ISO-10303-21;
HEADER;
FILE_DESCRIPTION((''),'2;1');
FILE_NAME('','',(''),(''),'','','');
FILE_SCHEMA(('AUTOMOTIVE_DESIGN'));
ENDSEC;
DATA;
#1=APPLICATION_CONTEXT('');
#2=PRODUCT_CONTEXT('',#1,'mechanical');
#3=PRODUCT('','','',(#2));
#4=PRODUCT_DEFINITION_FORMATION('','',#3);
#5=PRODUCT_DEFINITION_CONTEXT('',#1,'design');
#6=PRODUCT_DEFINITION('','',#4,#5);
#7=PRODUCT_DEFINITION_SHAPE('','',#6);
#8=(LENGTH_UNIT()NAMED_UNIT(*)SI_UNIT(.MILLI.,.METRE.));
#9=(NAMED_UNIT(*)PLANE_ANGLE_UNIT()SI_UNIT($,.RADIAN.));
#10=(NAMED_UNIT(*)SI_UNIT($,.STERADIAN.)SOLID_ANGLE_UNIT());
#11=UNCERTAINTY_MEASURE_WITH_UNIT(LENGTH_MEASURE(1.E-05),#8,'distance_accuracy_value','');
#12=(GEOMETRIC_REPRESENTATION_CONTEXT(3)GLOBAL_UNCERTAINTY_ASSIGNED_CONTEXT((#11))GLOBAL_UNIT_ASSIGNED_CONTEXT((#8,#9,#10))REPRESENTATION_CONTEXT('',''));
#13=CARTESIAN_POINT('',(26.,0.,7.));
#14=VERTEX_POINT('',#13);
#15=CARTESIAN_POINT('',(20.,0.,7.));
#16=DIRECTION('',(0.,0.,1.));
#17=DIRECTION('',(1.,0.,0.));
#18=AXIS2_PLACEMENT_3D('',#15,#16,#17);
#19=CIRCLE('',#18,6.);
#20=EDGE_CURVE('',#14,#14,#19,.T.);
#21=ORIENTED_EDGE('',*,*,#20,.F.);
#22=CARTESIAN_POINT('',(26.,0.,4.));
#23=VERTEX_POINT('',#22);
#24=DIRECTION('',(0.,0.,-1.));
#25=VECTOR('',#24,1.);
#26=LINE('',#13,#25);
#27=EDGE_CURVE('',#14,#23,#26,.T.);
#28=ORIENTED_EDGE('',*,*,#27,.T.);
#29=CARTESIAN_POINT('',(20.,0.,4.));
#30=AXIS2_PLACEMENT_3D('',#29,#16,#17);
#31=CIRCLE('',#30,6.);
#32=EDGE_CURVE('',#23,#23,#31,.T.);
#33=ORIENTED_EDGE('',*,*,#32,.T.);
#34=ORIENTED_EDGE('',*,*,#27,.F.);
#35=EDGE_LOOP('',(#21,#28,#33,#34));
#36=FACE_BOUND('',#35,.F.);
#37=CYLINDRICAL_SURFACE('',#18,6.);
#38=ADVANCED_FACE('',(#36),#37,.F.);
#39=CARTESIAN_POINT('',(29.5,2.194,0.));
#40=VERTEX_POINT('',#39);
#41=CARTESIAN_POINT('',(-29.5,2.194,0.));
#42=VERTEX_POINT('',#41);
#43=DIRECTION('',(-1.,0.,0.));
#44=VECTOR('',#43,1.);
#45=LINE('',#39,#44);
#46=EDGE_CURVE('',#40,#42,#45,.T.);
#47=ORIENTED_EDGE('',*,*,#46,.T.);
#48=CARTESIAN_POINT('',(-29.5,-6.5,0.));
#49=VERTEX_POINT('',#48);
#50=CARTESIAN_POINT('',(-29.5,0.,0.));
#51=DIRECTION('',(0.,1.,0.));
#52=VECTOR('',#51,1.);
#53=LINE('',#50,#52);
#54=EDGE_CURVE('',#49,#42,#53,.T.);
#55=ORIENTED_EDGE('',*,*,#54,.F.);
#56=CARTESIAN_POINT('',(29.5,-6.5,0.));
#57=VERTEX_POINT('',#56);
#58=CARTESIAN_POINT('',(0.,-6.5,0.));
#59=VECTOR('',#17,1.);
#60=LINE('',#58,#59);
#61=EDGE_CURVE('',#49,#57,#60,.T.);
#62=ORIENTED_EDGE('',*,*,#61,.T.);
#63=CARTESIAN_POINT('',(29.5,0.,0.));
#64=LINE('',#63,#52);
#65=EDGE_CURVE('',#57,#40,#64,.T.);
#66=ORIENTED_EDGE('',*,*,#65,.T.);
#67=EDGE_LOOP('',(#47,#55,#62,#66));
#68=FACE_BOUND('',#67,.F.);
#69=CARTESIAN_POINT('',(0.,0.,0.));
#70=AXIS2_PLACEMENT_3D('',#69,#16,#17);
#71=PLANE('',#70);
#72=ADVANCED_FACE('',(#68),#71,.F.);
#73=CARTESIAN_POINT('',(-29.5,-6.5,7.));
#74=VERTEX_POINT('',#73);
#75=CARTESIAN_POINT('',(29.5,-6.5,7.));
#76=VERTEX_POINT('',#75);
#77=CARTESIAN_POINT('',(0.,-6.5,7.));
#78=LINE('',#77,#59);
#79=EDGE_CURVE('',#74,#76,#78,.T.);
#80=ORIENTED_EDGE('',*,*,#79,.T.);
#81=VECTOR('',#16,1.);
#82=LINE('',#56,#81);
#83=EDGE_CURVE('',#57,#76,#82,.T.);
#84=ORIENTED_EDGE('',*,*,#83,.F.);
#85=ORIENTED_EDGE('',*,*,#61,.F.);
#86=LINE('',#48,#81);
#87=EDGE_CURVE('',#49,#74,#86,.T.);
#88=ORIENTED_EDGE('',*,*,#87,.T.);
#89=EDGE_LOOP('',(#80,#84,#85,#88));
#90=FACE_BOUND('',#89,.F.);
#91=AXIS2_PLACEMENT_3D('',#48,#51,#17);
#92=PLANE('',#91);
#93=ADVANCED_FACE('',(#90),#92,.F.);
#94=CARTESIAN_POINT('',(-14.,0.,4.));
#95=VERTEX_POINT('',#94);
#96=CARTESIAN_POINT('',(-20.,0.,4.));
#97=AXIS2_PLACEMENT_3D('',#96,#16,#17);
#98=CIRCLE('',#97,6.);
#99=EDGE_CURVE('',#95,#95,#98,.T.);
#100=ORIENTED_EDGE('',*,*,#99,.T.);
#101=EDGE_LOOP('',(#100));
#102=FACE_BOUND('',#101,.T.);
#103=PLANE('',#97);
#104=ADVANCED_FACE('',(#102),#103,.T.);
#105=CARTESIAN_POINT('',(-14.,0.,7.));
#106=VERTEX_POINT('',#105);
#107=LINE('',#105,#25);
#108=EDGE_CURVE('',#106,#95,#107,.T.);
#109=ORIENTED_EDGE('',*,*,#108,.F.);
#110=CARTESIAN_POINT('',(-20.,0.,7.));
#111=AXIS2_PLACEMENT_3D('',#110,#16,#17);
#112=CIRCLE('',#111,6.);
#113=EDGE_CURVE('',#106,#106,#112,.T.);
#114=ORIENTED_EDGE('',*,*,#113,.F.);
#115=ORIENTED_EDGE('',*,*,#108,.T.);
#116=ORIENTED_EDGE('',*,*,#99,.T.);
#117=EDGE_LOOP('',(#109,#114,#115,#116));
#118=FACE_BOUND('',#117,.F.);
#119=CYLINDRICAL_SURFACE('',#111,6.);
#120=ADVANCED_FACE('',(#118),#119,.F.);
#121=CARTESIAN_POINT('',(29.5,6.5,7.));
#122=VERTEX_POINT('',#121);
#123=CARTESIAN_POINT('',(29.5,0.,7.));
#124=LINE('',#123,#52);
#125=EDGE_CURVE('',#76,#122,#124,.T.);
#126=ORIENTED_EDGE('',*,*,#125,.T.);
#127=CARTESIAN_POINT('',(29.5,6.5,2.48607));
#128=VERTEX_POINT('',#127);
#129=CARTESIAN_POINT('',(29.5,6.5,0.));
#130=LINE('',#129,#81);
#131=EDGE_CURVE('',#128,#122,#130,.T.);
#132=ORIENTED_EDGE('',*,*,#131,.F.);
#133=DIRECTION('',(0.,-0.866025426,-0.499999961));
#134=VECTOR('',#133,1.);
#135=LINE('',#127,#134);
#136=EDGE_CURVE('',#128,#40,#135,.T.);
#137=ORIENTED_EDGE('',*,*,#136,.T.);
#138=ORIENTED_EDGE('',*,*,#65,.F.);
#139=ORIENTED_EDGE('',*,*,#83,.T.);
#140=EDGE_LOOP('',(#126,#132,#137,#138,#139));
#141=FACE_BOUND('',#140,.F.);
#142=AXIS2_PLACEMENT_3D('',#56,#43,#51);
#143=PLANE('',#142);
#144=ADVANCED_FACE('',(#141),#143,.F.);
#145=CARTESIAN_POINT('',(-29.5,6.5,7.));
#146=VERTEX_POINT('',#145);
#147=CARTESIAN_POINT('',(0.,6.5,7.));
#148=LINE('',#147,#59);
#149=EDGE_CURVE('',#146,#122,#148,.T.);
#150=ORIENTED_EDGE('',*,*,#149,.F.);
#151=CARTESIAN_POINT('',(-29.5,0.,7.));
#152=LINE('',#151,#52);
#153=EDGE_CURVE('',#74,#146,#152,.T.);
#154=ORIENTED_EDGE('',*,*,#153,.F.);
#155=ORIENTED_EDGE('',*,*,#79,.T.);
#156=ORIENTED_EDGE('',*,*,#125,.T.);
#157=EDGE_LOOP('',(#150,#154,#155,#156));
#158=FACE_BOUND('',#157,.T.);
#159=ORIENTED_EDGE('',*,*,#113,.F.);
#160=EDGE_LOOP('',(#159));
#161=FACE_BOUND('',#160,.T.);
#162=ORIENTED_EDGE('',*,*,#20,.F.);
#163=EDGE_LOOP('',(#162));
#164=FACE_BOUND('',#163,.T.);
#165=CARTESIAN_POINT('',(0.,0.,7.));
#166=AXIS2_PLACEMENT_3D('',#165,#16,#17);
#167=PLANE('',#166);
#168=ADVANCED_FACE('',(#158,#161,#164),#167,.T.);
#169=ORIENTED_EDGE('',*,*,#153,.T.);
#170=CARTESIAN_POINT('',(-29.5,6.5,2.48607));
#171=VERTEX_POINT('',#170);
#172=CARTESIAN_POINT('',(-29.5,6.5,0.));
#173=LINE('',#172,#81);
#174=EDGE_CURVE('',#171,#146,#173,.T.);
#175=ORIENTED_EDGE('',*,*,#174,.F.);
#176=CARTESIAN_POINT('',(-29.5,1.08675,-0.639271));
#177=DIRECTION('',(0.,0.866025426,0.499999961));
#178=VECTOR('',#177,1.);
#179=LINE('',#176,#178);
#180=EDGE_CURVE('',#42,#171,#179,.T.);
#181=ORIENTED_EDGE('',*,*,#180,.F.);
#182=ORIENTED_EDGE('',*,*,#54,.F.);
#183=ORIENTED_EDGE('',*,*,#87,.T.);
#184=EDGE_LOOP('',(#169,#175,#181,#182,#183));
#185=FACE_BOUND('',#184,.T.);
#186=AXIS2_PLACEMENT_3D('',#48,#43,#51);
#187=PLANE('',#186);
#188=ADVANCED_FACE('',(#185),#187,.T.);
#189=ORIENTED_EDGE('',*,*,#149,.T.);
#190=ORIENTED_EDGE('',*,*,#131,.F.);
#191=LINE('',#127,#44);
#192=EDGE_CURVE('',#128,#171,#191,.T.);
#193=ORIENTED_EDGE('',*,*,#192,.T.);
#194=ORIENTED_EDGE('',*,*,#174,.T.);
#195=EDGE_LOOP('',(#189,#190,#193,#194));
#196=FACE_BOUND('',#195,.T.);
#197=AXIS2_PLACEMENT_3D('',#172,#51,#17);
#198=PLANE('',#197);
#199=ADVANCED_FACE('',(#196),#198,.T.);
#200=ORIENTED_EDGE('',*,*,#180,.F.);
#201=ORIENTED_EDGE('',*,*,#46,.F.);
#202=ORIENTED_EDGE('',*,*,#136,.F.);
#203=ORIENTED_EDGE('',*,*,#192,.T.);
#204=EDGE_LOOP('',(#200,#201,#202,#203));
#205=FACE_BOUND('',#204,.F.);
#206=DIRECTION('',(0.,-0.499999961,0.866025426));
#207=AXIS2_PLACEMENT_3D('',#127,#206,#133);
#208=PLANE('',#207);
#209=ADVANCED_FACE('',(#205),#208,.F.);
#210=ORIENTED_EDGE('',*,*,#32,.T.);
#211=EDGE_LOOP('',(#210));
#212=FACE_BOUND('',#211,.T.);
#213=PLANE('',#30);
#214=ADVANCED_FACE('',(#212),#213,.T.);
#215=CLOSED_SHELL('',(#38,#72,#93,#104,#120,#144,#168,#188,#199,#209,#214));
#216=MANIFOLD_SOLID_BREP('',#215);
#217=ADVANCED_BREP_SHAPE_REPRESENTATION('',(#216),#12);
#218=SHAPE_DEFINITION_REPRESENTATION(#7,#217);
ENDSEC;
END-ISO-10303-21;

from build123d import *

# Parameters (mm, degrees)
F0_W     = 59
F0_H     = 13
F1_DEPTH = 7
F2_R     = 6
F3_DEPTH = 3
F5_DEPTH = 70


with BuildPart() as f1:
    # F0 (on Top) → F1 (new body)
    with BuildSketch(Plane.XY):
        Rectangle(F0_W, F0_H)
    extrude(amount=F1_DEPTH)

    # F2 (on face) → F3 (cut)
    with BuildSketch(Plane.XY.offset(7)):
        with Locations((-20, 0)):
            Circle(F2_R)
        with Locations((20, 0)):
            Circle(F2_R)
    extrude(amount=-F3_DEPTH, mode=Mode.SUBTRACT)

    # F4 (on face) → F5 (cut)
    with BuildSketch(Plane.YZ.offset(29.5)):
        Polygon((2.194, 0), (6.5, 0), (6.5, 2.48607), align=None)
    extrude(amount=-F5_DEPTH, mode=Mode.SUBTRACT)


solid = f1.part
